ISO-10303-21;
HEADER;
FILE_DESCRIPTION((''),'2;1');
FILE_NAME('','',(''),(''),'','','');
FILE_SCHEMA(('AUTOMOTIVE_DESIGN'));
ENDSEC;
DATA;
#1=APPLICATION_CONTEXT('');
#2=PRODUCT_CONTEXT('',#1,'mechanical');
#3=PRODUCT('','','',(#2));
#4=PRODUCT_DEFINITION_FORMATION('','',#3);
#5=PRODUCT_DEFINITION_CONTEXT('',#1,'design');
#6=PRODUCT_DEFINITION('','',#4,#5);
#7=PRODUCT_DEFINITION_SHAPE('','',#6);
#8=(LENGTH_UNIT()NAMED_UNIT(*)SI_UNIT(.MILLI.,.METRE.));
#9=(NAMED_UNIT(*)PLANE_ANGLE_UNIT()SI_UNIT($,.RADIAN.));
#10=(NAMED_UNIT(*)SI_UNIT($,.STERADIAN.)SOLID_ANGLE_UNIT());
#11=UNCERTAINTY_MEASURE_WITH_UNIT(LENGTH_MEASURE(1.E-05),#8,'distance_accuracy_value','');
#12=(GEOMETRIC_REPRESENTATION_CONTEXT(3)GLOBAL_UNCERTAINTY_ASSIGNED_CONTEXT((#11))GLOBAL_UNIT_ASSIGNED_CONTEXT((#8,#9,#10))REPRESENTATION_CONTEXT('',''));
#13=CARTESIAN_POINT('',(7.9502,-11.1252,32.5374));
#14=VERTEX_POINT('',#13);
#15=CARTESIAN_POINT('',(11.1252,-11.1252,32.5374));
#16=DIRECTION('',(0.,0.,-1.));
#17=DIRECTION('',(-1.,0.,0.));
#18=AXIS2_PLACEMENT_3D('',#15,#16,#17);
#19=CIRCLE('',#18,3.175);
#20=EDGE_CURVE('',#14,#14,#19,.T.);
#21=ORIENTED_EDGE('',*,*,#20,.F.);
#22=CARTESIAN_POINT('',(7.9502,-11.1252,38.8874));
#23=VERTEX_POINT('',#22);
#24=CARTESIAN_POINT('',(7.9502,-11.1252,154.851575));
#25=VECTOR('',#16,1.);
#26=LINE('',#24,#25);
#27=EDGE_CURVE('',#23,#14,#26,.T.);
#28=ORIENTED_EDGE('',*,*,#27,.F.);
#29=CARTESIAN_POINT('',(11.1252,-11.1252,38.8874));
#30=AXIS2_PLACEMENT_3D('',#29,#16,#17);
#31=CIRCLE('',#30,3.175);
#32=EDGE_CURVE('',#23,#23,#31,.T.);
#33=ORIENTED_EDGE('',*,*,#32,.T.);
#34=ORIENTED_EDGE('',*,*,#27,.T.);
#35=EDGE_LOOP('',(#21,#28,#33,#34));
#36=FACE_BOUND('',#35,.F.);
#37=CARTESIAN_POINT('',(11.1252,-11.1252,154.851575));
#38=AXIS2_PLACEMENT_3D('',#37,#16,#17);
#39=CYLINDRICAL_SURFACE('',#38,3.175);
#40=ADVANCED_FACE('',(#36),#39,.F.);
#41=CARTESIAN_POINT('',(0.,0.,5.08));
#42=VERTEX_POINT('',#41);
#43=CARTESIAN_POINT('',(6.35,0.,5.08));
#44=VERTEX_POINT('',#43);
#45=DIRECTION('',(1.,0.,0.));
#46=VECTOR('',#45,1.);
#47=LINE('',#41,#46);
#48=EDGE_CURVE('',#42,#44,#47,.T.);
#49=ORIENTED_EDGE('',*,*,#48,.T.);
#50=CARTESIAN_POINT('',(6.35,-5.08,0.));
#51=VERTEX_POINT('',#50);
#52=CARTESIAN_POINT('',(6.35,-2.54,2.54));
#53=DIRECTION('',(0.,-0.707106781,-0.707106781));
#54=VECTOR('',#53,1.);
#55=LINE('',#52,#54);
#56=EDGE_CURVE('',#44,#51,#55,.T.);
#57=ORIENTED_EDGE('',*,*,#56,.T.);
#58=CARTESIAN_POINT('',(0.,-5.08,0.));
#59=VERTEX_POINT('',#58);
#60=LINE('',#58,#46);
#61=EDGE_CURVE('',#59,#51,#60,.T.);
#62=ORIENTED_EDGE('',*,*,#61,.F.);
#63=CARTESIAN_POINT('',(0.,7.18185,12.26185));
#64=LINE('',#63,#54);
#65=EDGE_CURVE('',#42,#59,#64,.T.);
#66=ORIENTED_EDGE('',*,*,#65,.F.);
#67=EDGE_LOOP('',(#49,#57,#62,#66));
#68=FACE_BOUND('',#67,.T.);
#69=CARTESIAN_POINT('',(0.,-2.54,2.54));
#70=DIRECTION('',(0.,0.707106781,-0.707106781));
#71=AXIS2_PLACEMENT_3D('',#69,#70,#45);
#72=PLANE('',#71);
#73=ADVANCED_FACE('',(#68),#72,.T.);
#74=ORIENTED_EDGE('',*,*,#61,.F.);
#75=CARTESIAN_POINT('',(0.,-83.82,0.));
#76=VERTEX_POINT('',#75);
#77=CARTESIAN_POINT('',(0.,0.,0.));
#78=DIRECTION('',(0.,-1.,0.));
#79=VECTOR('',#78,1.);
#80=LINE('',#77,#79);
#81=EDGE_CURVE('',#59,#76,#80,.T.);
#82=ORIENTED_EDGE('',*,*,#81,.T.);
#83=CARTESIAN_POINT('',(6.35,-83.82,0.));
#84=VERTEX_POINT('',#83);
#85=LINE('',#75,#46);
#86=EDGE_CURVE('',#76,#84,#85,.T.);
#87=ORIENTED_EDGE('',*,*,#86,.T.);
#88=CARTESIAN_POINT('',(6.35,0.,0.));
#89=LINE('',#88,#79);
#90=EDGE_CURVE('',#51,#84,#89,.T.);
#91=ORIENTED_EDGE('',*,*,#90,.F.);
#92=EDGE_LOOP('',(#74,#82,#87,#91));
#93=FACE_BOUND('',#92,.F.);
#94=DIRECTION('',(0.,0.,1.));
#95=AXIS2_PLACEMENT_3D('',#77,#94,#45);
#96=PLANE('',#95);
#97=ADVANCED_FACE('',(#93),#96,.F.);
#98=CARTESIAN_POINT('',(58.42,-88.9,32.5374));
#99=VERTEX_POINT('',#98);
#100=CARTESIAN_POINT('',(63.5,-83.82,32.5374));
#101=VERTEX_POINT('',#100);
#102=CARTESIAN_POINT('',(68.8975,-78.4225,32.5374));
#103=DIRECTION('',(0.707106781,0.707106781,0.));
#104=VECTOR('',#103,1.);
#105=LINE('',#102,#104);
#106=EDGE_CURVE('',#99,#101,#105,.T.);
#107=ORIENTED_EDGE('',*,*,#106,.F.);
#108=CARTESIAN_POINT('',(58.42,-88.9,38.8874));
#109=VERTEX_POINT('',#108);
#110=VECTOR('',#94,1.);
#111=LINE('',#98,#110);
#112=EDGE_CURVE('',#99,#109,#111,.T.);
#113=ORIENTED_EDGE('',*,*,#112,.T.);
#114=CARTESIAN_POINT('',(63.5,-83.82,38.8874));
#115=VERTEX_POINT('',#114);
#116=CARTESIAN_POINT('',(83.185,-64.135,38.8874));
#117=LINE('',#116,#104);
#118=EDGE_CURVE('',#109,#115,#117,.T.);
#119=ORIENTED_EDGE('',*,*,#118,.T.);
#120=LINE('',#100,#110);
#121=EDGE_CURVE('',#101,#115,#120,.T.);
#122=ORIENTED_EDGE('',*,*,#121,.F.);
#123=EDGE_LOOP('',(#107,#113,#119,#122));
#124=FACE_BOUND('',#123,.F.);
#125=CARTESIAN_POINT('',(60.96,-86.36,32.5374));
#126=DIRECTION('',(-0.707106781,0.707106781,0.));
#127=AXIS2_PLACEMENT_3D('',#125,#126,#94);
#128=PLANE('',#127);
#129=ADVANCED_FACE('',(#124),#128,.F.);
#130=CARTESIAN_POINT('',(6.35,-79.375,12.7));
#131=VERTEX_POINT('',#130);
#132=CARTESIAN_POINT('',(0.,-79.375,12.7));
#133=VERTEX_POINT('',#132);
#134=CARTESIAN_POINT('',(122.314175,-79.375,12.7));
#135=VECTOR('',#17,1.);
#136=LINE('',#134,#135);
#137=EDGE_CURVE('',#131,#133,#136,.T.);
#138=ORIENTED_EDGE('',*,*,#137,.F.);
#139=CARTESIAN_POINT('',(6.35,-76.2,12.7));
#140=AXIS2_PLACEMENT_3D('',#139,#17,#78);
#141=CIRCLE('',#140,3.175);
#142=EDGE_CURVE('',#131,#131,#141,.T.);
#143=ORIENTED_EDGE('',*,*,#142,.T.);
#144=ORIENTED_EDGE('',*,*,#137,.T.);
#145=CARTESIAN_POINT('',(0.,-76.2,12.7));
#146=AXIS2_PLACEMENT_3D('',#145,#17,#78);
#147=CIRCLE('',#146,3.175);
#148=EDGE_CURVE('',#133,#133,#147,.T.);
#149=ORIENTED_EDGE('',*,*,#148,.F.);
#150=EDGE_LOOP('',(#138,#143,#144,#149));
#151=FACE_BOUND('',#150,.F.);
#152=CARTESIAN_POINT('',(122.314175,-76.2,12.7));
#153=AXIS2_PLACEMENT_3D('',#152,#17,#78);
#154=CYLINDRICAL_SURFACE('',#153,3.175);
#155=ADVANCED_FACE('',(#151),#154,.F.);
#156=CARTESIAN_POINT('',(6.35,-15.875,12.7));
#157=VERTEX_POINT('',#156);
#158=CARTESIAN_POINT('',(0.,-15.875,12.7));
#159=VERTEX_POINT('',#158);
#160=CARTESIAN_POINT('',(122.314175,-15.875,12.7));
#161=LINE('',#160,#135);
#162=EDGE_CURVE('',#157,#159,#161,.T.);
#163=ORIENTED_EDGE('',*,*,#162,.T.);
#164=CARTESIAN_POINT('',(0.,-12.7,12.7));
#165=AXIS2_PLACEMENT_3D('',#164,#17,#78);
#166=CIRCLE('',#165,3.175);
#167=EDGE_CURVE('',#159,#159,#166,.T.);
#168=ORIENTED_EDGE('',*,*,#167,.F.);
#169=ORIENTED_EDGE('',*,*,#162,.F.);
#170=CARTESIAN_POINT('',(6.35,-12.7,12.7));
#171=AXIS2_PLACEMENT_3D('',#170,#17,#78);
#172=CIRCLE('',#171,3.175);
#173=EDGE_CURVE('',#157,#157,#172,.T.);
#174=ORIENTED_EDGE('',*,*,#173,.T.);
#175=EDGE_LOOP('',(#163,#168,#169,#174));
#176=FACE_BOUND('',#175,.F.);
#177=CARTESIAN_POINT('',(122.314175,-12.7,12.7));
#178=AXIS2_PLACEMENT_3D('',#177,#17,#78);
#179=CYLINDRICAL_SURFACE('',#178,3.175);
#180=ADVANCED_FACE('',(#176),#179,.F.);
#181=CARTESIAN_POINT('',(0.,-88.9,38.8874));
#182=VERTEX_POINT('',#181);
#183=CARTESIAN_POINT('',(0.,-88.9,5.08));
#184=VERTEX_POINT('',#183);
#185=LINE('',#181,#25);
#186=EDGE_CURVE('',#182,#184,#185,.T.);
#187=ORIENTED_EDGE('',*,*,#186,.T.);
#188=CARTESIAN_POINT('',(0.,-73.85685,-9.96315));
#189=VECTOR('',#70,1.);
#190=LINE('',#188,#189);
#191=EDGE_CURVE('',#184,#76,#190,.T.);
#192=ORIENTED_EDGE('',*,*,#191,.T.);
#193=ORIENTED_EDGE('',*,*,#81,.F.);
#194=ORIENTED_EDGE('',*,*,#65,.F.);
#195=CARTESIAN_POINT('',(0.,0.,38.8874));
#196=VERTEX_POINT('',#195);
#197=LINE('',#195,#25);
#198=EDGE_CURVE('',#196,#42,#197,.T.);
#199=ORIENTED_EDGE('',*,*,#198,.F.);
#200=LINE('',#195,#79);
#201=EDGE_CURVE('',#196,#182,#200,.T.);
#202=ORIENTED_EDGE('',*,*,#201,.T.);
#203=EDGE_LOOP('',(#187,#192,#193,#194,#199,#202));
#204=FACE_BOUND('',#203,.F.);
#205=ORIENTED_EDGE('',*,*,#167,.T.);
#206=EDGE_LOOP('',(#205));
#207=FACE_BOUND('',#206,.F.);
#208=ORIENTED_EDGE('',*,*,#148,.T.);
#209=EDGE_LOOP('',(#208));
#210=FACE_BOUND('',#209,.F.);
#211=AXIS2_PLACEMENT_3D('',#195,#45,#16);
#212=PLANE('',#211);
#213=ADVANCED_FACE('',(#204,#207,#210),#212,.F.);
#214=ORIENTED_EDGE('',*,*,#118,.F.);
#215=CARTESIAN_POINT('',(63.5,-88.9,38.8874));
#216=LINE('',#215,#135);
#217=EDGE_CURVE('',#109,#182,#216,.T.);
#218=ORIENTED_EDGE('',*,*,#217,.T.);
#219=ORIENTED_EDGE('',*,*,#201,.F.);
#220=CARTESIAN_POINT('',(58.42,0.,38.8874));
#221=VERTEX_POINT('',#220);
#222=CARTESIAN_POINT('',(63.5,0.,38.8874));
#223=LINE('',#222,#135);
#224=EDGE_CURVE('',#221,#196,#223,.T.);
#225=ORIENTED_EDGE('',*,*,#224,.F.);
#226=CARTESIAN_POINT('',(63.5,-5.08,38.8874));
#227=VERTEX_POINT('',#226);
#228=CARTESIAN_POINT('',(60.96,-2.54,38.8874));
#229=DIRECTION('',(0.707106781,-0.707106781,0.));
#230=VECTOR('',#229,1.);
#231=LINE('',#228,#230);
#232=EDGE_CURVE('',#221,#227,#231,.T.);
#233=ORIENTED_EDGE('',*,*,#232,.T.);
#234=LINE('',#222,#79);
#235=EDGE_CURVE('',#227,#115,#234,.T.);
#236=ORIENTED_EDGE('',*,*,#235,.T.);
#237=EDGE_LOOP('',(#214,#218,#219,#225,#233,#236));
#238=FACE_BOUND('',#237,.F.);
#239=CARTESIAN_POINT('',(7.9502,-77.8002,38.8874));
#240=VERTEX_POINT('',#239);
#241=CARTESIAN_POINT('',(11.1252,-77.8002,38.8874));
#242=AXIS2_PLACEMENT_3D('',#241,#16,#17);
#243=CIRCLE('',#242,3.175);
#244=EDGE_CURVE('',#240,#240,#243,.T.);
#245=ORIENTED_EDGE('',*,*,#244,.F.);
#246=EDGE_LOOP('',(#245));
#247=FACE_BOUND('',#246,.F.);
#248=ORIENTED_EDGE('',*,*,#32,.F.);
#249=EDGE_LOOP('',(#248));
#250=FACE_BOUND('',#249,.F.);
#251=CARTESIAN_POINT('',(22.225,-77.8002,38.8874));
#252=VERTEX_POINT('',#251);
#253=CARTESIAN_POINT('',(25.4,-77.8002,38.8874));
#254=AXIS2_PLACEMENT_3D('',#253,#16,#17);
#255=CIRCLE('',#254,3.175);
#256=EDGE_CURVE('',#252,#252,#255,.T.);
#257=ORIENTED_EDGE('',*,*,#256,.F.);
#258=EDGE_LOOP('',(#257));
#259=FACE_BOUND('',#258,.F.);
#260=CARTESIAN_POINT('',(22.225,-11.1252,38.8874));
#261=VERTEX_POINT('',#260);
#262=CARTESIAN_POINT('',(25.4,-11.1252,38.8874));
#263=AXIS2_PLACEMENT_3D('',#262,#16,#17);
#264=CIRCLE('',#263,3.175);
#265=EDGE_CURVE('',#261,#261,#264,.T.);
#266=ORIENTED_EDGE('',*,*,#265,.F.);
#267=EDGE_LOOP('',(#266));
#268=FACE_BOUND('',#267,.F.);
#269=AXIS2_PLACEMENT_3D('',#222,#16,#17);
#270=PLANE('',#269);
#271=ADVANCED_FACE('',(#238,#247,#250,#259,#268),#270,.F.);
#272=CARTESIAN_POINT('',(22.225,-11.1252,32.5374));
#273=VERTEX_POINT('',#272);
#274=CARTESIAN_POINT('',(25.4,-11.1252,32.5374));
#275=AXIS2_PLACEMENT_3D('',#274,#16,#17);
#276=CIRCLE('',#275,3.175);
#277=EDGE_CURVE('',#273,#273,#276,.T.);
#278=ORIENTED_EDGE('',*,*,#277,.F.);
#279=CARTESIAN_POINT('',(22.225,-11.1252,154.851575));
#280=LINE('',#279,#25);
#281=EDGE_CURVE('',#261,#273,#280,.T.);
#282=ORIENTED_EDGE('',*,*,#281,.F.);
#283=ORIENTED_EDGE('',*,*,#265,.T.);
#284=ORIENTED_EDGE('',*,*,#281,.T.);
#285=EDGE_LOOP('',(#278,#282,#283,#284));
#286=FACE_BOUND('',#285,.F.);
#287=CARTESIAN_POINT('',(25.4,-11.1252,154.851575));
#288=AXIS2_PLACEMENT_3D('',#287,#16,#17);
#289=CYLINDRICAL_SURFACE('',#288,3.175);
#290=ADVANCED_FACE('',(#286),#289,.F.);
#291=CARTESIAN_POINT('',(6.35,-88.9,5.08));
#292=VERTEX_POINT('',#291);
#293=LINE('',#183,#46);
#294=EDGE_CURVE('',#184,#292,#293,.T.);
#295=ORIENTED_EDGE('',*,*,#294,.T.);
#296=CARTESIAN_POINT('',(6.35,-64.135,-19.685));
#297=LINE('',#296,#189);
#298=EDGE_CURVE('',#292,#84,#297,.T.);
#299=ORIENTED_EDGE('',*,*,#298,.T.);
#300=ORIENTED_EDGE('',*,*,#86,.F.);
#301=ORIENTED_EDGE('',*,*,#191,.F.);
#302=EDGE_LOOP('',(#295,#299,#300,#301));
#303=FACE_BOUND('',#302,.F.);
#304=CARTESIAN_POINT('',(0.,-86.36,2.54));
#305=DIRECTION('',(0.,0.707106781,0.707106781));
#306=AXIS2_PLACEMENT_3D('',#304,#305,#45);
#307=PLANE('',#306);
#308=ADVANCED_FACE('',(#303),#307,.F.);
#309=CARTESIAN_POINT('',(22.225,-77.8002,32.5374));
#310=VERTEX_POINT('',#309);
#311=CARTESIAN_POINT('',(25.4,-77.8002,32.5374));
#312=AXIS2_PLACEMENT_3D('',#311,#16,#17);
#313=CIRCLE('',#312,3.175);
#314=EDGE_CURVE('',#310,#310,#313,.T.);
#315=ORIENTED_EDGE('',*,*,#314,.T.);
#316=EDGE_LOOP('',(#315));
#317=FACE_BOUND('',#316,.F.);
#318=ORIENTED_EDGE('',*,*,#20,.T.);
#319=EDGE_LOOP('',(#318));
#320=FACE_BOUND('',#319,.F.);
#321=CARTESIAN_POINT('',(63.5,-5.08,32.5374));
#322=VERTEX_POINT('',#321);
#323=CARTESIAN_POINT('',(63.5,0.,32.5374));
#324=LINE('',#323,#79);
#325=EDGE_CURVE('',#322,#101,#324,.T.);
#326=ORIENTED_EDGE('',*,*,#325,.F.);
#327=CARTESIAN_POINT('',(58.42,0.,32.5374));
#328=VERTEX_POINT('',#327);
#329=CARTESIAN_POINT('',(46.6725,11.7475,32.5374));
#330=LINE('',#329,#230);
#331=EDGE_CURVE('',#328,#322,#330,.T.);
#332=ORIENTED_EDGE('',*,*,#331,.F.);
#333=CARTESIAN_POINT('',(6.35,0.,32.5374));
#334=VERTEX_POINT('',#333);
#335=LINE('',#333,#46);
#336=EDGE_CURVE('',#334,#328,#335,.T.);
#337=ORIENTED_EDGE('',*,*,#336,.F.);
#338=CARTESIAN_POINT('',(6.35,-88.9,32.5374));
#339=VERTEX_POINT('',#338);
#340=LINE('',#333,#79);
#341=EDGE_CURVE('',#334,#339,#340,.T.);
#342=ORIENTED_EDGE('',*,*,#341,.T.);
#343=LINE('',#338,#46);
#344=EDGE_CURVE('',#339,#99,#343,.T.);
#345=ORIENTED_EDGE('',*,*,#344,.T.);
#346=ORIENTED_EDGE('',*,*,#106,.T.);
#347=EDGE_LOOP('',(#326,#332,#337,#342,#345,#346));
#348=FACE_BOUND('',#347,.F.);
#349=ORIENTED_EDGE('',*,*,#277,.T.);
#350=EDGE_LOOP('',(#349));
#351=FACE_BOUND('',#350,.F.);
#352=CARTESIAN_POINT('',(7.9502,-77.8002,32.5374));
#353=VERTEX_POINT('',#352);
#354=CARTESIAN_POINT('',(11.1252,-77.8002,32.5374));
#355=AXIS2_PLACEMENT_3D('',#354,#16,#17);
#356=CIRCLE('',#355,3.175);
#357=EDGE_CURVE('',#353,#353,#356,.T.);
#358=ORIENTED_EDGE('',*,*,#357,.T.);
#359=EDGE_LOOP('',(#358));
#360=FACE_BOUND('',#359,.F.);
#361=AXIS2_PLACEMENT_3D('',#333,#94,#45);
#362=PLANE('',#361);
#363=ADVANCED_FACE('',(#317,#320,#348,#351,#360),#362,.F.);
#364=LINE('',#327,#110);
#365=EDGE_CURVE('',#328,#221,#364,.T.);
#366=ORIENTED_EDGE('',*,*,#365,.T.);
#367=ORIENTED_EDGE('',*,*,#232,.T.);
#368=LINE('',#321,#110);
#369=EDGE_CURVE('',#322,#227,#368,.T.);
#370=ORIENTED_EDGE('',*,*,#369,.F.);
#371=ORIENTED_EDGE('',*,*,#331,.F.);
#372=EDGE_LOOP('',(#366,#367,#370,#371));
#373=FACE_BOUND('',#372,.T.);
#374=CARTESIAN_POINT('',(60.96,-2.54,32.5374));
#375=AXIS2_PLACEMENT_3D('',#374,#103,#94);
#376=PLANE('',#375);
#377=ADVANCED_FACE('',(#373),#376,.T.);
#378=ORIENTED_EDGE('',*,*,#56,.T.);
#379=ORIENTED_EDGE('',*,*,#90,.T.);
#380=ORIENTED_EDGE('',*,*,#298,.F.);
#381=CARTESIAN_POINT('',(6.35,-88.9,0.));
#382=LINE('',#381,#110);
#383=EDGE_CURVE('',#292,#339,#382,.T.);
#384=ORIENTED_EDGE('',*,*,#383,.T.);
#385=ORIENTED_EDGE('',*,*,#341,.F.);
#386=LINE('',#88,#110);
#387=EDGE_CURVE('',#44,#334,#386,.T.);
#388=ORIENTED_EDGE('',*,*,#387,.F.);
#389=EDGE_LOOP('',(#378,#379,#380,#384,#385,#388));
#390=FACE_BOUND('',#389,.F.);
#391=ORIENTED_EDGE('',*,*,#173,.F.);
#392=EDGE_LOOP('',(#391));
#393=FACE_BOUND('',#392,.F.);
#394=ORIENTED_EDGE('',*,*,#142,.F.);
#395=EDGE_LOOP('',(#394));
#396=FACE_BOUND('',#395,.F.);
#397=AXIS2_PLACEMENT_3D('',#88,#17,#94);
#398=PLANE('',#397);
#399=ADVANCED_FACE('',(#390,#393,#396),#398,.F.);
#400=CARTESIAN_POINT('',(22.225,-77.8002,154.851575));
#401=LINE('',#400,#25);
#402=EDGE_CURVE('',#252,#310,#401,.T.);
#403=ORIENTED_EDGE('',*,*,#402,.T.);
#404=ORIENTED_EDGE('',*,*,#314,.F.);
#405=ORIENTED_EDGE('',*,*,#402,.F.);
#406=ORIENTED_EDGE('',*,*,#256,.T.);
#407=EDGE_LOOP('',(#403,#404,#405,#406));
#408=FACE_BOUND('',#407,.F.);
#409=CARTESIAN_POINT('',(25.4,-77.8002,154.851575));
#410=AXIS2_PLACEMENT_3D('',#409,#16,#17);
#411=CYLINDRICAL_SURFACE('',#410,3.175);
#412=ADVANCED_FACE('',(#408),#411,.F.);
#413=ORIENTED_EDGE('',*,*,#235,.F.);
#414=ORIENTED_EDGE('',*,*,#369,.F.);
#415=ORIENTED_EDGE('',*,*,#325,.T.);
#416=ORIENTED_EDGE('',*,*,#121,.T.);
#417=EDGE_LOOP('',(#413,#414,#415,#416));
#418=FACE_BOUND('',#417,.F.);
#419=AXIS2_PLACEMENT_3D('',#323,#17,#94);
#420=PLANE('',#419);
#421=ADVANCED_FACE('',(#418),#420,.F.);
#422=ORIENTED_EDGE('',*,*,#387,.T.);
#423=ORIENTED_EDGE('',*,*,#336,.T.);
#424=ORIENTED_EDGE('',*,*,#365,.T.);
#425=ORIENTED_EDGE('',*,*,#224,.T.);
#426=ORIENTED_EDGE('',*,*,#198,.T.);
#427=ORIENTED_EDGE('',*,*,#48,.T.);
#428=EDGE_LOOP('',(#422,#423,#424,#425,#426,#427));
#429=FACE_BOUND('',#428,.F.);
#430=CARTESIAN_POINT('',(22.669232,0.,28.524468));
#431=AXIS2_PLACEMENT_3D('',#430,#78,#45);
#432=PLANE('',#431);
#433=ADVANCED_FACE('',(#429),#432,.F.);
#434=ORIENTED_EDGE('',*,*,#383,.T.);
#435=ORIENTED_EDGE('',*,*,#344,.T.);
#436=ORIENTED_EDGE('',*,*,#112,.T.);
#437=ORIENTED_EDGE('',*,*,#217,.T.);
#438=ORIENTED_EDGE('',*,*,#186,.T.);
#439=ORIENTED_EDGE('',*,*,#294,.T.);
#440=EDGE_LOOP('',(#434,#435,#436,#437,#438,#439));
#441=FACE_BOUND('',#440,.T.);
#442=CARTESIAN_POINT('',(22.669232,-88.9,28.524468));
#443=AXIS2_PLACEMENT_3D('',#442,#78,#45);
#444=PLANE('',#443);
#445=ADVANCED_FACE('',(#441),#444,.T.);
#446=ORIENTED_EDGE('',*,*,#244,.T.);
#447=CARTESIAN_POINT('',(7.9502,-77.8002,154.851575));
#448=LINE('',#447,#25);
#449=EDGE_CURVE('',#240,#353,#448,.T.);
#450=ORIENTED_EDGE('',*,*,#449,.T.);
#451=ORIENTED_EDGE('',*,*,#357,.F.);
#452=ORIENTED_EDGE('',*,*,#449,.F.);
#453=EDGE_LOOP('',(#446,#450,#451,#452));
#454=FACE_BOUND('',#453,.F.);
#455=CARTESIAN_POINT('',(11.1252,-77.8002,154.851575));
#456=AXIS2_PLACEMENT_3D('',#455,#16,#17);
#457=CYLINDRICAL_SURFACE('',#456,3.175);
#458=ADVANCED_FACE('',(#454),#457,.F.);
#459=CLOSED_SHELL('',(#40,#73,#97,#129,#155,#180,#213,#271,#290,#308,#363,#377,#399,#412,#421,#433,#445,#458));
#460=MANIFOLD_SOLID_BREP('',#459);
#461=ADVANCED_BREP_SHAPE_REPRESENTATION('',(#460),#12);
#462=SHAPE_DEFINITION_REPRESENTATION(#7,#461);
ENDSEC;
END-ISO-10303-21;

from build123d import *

# Parameters (mm, degrees)
F1_DEPTH = 88.9
F3_D     = 6.35
F4_SIZE  = 5.08
F6_D     = 6.35


with BuildPart() as f1:
    # F0 (on Front) → F1 (new body)
    with BuildSketch(Plane.XZ):
        Polygon((0, 38.8874), (0, 0), (6.35, 0), (6.35, 32.5374), (63.5, 32.5374), (63.5, 38.8874), align=None)
    extrude(amount=F1_DEPTH)

    # F3 (through all)
    with Locations(Plane.YZ.offset(6.35)):
        with Locations((-76.2, 12.7), (-12.7, 12.7)):
            Hole(F3_D / 2)

    # F4
    f4_edges = [f1.edges().sort_by_distance(p)[0] for p in [
        (3.175, -88.9, 0),
        (63.5, -88.9, 35.7124),
        (63.5, 0, 35.7124),
        (3.175, 0, 0),
    ]]
    chamfer(f4_edges, length=F4_SIZE)

    # F6 (through all)
    with Locations(Plane.XY.offset(38.8874)):
        with Locations((25.4, -11.1252), (11.1252, -11.1252), (11.1252, -77.8002), (25.4, -77.8002)):
            Hole(F6_D / 2)


solid = f1.part
